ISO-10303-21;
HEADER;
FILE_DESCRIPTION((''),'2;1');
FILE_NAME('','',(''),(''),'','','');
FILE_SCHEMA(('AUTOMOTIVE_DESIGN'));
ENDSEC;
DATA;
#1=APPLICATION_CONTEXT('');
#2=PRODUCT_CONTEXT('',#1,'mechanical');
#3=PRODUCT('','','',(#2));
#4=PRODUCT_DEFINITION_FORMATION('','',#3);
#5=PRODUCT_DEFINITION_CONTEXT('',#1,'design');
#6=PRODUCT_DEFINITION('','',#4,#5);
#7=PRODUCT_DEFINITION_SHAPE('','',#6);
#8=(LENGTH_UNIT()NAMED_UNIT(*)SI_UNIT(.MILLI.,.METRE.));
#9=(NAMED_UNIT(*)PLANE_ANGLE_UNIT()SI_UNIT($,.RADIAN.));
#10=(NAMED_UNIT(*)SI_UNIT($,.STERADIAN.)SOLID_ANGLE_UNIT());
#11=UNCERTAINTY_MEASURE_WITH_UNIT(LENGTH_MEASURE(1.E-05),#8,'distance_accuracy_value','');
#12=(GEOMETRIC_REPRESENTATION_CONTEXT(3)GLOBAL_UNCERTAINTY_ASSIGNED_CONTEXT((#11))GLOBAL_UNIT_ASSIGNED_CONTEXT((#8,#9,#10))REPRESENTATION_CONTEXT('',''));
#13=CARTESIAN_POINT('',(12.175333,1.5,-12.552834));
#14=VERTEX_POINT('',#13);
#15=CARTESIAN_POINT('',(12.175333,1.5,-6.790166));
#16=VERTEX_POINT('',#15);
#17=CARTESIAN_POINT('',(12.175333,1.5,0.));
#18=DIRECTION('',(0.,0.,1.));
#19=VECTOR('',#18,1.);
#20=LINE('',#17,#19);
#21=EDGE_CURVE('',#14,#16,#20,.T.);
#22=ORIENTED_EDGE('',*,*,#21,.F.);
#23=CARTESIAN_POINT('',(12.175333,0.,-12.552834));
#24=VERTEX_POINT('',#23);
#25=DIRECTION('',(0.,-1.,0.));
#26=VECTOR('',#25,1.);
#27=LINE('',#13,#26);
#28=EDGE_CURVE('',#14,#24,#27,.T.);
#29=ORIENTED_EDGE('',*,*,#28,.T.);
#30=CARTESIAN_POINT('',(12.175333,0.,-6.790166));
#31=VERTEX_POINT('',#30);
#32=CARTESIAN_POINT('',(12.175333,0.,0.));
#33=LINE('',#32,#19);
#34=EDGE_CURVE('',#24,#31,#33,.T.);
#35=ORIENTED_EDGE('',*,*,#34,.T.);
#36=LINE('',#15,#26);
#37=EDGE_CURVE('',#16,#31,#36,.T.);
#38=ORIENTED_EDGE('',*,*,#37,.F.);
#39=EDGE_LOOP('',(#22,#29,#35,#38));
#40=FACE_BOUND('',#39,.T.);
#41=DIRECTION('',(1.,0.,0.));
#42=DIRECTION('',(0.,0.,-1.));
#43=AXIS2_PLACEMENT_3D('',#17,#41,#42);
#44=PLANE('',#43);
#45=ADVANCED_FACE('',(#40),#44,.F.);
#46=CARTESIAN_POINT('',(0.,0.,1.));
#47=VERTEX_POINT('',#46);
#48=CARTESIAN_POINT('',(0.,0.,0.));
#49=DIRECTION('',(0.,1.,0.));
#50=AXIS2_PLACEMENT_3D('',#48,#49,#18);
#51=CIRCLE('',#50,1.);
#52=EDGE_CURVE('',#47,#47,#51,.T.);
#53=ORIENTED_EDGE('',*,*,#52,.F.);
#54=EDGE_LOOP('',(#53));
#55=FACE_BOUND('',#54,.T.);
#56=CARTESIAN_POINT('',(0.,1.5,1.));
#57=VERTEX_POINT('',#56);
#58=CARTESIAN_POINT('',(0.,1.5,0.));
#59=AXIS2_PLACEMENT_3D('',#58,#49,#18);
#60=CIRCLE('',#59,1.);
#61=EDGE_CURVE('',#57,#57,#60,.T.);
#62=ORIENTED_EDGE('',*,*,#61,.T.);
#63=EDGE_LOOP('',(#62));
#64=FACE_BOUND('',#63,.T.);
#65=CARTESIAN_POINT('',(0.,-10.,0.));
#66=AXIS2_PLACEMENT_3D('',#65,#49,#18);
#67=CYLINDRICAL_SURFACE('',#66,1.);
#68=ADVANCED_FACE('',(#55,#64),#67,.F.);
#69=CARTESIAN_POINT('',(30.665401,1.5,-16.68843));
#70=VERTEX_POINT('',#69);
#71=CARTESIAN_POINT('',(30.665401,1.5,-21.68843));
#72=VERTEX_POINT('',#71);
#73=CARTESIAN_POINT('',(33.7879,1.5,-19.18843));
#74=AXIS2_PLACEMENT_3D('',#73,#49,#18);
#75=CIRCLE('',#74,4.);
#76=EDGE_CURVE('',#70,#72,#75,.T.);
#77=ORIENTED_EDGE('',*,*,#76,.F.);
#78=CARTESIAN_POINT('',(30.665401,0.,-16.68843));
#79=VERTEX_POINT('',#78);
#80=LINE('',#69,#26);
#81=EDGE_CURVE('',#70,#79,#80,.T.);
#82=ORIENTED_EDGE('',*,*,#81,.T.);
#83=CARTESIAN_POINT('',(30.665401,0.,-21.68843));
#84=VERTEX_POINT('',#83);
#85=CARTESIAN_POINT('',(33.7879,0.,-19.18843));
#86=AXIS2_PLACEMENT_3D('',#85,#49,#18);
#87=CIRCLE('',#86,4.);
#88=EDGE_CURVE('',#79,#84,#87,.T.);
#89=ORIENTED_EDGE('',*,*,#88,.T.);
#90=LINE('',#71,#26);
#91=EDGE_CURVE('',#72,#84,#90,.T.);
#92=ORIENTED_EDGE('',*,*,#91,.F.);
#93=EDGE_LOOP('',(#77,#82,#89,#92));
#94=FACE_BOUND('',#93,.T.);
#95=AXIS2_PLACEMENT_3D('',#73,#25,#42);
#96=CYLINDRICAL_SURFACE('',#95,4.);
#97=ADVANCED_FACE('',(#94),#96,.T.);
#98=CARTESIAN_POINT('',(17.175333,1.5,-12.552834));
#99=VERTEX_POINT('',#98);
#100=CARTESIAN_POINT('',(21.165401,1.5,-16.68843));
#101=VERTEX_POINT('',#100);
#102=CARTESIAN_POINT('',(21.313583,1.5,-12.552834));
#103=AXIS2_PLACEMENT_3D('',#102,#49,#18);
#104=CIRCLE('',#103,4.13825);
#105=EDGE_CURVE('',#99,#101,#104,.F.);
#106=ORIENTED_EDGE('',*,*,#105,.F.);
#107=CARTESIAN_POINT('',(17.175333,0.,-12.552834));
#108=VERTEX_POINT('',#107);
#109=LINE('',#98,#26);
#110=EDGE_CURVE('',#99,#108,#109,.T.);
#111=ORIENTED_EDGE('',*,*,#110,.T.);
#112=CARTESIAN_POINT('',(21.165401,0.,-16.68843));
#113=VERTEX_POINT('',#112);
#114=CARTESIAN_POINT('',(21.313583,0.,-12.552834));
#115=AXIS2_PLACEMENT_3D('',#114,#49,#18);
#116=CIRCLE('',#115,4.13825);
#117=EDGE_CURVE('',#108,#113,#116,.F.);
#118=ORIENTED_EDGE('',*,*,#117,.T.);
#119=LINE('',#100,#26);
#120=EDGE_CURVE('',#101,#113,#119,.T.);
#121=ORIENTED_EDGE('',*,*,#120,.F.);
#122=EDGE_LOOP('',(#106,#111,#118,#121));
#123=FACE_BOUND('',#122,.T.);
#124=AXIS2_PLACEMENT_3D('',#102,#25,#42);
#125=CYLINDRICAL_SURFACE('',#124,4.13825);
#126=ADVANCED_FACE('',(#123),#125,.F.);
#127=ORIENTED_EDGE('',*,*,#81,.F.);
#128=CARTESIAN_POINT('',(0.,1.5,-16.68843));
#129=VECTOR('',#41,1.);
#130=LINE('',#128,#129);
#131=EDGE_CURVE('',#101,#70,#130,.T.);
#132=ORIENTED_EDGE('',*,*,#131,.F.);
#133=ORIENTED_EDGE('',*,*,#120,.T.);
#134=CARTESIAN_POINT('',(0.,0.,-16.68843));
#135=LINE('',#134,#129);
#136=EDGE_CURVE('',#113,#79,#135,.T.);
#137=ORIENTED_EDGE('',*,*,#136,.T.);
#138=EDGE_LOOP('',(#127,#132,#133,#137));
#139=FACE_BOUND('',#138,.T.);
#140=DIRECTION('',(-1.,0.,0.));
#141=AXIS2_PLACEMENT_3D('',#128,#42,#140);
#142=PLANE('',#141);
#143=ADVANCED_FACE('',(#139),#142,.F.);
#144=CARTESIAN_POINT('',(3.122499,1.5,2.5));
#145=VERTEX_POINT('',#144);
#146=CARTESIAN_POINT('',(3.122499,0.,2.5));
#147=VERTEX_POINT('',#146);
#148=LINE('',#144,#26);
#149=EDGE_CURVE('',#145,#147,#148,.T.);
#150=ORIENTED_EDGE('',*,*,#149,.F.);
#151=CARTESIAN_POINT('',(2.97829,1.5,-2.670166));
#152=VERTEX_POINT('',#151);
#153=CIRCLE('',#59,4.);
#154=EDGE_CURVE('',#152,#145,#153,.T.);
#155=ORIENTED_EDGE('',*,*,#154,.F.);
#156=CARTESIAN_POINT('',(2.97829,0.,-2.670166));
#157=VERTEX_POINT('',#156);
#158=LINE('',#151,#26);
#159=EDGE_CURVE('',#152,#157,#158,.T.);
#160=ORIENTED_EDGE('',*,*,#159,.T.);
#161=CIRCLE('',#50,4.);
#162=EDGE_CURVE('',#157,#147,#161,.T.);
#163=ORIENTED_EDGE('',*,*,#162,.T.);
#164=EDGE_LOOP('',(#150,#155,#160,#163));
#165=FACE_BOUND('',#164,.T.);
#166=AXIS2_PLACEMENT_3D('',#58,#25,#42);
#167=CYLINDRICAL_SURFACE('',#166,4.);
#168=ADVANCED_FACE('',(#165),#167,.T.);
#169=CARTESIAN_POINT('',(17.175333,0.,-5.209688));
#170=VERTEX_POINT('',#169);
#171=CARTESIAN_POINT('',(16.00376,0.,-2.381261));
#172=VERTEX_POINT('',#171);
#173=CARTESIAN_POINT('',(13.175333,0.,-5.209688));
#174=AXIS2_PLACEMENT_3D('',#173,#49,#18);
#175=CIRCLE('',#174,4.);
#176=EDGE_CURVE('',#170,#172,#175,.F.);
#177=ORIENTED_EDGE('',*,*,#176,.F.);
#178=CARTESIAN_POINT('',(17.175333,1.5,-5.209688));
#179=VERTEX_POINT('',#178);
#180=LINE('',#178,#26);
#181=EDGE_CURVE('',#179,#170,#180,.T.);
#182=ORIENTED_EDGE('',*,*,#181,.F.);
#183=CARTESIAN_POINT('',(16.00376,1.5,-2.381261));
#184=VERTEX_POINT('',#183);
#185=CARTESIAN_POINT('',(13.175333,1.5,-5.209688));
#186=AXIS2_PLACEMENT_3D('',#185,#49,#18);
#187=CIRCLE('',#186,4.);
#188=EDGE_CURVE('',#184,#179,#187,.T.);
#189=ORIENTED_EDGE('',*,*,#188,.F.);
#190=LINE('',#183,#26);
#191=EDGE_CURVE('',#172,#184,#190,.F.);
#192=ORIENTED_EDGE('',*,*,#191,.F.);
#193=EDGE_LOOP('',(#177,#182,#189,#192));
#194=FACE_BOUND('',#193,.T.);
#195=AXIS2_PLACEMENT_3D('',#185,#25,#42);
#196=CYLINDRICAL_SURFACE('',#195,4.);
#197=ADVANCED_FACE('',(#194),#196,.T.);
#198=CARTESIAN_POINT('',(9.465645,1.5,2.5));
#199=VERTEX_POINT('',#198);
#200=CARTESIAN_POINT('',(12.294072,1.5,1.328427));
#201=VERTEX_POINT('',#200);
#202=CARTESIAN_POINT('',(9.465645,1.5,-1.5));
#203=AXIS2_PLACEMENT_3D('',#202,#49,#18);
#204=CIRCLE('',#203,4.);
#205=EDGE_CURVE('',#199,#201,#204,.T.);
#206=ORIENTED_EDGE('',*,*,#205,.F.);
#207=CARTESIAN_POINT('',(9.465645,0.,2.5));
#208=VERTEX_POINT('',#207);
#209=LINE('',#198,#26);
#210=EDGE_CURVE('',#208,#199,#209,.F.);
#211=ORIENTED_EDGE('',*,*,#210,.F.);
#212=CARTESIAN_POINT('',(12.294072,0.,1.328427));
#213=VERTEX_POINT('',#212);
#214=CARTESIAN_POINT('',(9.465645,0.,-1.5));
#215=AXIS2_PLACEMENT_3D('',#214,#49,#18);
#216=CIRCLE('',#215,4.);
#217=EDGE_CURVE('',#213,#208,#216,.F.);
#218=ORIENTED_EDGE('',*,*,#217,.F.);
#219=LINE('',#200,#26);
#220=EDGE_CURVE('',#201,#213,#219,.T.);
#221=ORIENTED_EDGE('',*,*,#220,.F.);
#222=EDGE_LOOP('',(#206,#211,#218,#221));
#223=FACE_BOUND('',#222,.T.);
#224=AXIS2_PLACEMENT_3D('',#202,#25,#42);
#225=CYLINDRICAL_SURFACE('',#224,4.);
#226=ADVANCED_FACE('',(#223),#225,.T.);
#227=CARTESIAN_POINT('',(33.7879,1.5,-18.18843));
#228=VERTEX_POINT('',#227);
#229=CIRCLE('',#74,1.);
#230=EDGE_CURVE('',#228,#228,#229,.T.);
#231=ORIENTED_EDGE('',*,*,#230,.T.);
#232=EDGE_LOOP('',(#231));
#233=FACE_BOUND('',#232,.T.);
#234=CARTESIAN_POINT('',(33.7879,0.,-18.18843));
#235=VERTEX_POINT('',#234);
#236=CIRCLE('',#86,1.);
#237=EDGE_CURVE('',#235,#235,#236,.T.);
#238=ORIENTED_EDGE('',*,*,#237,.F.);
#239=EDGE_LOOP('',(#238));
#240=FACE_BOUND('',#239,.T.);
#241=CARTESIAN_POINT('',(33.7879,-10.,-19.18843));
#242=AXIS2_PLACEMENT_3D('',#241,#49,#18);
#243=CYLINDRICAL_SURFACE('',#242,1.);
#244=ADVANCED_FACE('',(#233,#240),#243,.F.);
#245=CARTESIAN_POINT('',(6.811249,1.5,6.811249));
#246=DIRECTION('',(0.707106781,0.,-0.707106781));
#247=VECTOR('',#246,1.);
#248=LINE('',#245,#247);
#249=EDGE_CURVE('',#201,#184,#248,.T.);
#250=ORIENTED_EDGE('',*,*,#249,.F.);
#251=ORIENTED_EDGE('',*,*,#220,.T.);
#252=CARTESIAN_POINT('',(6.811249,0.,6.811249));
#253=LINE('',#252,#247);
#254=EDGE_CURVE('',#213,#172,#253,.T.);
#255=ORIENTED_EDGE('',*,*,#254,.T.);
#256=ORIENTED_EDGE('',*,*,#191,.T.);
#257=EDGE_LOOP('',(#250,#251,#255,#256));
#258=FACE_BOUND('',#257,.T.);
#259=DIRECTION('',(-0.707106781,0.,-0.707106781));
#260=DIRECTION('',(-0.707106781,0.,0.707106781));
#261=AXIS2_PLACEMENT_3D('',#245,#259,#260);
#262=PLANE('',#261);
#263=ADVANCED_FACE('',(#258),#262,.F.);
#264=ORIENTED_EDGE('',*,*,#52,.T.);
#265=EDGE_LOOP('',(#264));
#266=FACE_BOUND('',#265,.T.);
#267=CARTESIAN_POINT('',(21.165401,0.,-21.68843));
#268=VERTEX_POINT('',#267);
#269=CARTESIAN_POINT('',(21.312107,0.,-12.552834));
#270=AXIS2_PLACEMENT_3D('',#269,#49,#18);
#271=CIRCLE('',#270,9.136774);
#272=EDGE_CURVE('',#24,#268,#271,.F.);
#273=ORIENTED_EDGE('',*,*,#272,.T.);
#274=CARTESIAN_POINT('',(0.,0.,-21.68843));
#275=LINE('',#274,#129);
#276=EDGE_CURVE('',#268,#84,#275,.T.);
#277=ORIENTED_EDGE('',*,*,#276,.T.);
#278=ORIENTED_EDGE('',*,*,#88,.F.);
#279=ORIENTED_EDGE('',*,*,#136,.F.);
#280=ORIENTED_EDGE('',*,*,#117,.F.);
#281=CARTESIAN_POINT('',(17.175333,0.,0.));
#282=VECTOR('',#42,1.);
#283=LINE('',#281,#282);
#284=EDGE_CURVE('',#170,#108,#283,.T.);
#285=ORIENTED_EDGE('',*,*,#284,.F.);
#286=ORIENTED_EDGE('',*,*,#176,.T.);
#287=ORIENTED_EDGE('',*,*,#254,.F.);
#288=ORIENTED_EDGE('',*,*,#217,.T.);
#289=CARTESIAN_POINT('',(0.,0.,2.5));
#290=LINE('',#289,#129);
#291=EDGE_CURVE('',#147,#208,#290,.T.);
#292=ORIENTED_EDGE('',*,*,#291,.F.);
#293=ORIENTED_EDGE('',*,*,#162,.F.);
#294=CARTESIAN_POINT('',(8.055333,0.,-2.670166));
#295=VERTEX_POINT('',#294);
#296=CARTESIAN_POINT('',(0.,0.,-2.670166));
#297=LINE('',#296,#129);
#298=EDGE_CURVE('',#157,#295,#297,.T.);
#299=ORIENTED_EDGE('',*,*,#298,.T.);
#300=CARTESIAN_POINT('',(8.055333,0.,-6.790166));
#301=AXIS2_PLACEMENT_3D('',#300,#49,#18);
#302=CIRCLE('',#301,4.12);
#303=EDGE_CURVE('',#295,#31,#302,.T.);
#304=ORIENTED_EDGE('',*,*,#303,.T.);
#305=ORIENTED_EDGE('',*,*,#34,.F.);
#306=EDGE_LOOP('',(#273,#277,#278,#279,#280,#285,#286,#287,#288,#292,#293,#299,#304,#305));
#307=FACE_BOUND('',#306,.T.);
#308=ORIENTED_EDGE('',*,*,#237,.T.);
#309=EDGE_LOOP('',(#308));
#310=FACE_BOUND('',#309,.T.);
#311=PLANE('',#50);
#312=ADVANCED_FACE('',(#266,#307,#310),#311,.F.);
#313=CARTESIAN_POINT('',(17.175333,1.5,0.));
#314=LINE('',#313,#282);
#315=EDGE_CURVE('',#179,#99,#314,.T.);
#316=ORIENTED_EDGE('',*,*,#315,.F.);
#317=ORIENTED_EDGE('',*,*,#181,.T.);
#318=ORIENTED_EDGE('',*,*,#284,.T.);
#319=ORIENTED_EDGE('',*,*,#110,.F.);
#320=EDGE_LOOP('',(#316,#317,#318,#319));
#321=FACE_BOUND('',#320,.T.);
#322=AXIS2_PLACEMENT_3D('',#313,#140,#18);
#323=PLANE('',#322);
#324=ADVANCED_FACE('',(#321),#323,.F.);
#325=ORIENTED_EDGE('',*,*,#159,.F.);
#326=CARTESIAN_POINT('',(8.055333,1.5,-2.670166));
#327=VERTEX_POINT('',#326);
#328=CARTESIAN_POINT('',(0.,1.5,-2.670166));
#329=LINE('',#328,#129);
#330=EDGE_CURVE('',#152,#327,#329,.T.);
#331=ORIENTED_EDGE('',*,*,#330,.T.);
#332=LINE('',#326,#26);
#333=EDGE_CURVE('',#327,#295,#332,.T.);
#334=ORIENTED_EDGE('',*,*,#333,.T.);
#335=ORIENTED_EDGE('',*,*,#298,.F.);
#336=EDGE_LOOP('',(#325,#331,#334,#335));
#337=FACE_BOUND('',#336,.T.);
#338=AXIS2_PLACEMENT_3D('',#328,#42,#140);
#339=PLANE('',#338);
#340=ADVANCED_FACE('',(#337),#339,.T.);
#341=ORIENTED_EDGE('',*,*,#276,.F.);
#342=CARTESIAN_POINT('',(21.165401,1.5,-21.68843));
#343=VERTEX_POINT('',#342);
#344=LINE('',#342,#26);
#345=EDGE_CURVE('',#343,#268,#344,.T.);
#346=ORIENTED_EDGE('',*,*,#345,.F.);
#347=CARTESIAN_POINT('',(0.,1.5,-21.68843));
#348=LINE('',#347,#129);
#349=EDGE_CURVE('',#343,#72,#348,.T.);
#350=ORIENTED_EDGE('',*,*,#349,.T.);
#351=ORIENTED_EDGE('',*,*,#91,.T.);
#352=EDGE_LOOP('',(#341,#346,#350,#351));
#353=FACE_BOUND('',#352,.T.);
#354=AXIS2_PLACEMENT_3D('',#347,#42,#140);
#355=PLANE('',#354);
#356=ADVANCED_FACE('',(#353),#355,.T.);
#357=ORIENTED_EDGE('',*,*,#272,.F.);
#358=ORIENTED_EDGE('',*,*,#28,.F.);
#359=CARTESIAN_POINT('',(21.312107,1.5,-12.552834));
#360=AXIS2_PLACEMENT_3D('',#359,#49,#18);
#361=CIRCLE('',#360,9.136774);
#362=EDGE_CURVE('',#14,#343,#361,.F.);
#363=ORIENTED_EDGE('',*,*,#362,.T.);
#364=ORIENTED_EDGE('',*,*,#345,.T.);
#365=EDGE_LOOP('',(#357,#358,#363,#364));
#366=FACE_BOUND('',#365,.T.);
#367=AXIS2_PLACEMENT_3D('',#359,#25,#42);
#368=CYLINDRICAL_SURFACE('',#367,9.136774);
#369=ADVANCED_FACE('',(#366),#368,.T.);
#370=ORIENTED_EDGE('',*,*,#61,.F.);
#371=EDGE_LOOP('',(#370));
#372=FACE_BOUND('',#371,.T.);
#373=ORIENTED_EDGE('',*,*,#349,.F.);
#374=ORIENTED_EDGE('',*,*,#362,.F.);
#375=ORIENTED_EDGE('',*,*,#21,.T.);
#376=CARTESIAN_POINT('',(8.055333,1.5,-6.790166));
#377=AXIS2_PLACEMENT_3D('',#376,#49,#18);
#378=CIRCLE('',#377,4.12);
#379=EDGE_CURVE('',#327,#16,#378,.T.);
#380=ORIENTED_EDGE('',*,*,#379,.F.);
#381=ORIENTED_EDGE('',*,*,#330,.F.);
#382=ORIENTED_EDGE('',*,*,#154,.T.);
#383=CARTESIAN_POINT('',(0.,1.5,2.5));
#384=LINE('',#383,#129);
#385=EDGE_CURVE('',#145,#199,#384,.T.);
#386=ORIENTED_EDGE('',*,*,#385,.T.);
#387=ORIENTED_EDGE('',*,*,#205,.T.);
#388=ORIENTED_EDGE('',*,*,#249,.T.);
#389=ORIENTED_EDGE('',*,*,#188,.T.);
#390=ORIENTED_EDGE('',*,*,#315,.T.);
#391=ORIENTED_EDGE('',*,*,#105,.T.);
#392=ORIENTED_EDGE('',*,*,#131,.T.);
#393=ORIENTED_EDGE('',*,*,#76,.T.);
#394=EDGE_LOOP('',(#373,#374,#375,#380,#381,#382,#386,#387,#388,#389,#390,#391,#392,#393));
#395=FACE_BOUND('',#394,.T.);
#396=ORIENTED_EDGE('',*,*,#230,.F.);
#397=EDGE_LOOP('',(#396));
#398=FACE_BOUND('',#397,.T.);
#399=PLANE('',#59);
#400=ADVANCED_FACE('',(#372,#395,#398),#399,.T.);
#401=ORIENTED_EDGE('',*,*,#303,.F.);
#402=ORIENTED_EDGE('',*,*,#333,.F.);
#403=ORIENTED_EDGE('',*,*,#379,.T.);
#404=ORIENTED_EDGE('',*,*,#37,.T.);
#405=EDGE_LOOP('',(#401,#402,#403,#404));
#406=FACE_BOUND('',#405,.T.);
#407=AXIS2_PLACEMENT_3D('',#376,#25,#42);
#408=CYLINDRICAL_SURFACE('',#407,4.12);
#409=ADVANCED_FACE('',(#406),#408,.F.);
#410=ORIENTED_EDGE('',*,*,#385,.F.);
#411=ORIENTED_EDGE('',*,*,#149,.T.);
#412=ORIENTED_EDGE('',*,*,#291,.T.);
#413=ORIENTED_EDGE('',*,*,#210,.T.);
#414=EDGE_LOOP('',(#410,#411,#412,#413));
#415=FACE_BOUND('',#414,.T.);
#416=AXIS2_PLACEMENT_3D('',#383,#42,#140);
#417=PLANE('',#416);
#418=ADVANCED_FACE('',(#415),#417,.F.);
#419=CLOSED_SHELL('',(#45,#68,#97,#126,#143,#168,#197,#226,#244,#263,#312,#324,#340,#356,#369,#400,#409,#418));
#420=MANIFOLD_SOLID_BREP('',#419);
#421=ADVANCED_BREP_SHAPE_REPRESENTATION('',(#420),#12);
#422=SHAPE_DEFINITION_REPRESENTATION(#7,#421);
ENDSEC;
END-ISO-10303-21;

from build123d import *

# Parameters (mm, degrees)
BOSS_EXTRUDE1_DEPTH = 1.5
FILLET1_R           = 4
SKETCH2_R           = 1
CUT_EXTRUDE1_DEPTH  = 11.5


with BuildPart() as part:
    # Sketch1 → Boss-Extrude1 (new body)
    with BuildSketch(Plane(origin=(0, 0, 0), x_dir=(1, 0, 0), z_dir=(0, 1, 0))):
        with BuildLine():
            Line((21.165401421, 16.688429867), (30.665401421, 16.688429867))
            ThreePointArc((30.665401421, 16.688429867), (37.78790042, 19.188429867), (30.665401421, 21.688429867))
            Line((30.665401421, 21.688429867), (21.165401421, 21.688429867))
            ThreePointArc((21.165401421, 21.688429867), (14.799770492, 18.961430624), (12.175333046, 12.552834047))
            Line((12.175333046, 12.552834047), (17.175333046, 12.552834047))
            ThreePointArc((17.175333046, 12.552834047), (18.33546909, 15.426150877), (21.165401421, 16.688429867))
        make_face()
        with BuildLine():
            ThreePointArc((8.055333046, 2.670166466), (10.968612985, 3.876886527), (12.175333046, 6.790166466))
            Line((12.175333046, 6.790166466), (12.175333046, 12.552834047))
            Line((12.175333046, 12.552834047), (17.175333046, 12.552834047))
            Line((17.175333046, 12.552834047), (17.175333046, 3.552834047))
            Line((17.175333046, 3.552834047), (11.122498999, -2.5))
            Line((11.122498999, -2.5), (3.122498999, -2.5))
            ThreePointArc((3.122498999, -2.5), (-3.99844492, -0.111526763), (2.978289953, 2.670166466))
            Line((2.978289953, 2.670166466), (8.055333046, 2.670166466))
        make_face()
    extrude(amount=BOSS_EXTRUDE1_DEPTH)

    # Fillet1
    fillet1_edges = [part.edges().sort_by_distance(p)[0] for p in [
        (17.175333046, 0.75, -3.552834047),
        (11.122498999, 0.75, 2.5),
    ]]
    fillet(fillet1_edges, radius=FILLET1_R)

    # Sketch2 → Cut-Extrude1 (cut)
    with BuildSketch(Plane(origin=(0, 1.5, 0), x_dir=(1, 0, 0), z_dir=(0, 1, 0))):
        Circle(SKETCH2_R)
        with Locations((33.78790042, 19.188429867)):
            Circle(SKETCH2_R)
    extrude(amount=-CUT_EXTRUDE1_DEPTH, mode=Mode.SUBTRACT)


solid = part.part
